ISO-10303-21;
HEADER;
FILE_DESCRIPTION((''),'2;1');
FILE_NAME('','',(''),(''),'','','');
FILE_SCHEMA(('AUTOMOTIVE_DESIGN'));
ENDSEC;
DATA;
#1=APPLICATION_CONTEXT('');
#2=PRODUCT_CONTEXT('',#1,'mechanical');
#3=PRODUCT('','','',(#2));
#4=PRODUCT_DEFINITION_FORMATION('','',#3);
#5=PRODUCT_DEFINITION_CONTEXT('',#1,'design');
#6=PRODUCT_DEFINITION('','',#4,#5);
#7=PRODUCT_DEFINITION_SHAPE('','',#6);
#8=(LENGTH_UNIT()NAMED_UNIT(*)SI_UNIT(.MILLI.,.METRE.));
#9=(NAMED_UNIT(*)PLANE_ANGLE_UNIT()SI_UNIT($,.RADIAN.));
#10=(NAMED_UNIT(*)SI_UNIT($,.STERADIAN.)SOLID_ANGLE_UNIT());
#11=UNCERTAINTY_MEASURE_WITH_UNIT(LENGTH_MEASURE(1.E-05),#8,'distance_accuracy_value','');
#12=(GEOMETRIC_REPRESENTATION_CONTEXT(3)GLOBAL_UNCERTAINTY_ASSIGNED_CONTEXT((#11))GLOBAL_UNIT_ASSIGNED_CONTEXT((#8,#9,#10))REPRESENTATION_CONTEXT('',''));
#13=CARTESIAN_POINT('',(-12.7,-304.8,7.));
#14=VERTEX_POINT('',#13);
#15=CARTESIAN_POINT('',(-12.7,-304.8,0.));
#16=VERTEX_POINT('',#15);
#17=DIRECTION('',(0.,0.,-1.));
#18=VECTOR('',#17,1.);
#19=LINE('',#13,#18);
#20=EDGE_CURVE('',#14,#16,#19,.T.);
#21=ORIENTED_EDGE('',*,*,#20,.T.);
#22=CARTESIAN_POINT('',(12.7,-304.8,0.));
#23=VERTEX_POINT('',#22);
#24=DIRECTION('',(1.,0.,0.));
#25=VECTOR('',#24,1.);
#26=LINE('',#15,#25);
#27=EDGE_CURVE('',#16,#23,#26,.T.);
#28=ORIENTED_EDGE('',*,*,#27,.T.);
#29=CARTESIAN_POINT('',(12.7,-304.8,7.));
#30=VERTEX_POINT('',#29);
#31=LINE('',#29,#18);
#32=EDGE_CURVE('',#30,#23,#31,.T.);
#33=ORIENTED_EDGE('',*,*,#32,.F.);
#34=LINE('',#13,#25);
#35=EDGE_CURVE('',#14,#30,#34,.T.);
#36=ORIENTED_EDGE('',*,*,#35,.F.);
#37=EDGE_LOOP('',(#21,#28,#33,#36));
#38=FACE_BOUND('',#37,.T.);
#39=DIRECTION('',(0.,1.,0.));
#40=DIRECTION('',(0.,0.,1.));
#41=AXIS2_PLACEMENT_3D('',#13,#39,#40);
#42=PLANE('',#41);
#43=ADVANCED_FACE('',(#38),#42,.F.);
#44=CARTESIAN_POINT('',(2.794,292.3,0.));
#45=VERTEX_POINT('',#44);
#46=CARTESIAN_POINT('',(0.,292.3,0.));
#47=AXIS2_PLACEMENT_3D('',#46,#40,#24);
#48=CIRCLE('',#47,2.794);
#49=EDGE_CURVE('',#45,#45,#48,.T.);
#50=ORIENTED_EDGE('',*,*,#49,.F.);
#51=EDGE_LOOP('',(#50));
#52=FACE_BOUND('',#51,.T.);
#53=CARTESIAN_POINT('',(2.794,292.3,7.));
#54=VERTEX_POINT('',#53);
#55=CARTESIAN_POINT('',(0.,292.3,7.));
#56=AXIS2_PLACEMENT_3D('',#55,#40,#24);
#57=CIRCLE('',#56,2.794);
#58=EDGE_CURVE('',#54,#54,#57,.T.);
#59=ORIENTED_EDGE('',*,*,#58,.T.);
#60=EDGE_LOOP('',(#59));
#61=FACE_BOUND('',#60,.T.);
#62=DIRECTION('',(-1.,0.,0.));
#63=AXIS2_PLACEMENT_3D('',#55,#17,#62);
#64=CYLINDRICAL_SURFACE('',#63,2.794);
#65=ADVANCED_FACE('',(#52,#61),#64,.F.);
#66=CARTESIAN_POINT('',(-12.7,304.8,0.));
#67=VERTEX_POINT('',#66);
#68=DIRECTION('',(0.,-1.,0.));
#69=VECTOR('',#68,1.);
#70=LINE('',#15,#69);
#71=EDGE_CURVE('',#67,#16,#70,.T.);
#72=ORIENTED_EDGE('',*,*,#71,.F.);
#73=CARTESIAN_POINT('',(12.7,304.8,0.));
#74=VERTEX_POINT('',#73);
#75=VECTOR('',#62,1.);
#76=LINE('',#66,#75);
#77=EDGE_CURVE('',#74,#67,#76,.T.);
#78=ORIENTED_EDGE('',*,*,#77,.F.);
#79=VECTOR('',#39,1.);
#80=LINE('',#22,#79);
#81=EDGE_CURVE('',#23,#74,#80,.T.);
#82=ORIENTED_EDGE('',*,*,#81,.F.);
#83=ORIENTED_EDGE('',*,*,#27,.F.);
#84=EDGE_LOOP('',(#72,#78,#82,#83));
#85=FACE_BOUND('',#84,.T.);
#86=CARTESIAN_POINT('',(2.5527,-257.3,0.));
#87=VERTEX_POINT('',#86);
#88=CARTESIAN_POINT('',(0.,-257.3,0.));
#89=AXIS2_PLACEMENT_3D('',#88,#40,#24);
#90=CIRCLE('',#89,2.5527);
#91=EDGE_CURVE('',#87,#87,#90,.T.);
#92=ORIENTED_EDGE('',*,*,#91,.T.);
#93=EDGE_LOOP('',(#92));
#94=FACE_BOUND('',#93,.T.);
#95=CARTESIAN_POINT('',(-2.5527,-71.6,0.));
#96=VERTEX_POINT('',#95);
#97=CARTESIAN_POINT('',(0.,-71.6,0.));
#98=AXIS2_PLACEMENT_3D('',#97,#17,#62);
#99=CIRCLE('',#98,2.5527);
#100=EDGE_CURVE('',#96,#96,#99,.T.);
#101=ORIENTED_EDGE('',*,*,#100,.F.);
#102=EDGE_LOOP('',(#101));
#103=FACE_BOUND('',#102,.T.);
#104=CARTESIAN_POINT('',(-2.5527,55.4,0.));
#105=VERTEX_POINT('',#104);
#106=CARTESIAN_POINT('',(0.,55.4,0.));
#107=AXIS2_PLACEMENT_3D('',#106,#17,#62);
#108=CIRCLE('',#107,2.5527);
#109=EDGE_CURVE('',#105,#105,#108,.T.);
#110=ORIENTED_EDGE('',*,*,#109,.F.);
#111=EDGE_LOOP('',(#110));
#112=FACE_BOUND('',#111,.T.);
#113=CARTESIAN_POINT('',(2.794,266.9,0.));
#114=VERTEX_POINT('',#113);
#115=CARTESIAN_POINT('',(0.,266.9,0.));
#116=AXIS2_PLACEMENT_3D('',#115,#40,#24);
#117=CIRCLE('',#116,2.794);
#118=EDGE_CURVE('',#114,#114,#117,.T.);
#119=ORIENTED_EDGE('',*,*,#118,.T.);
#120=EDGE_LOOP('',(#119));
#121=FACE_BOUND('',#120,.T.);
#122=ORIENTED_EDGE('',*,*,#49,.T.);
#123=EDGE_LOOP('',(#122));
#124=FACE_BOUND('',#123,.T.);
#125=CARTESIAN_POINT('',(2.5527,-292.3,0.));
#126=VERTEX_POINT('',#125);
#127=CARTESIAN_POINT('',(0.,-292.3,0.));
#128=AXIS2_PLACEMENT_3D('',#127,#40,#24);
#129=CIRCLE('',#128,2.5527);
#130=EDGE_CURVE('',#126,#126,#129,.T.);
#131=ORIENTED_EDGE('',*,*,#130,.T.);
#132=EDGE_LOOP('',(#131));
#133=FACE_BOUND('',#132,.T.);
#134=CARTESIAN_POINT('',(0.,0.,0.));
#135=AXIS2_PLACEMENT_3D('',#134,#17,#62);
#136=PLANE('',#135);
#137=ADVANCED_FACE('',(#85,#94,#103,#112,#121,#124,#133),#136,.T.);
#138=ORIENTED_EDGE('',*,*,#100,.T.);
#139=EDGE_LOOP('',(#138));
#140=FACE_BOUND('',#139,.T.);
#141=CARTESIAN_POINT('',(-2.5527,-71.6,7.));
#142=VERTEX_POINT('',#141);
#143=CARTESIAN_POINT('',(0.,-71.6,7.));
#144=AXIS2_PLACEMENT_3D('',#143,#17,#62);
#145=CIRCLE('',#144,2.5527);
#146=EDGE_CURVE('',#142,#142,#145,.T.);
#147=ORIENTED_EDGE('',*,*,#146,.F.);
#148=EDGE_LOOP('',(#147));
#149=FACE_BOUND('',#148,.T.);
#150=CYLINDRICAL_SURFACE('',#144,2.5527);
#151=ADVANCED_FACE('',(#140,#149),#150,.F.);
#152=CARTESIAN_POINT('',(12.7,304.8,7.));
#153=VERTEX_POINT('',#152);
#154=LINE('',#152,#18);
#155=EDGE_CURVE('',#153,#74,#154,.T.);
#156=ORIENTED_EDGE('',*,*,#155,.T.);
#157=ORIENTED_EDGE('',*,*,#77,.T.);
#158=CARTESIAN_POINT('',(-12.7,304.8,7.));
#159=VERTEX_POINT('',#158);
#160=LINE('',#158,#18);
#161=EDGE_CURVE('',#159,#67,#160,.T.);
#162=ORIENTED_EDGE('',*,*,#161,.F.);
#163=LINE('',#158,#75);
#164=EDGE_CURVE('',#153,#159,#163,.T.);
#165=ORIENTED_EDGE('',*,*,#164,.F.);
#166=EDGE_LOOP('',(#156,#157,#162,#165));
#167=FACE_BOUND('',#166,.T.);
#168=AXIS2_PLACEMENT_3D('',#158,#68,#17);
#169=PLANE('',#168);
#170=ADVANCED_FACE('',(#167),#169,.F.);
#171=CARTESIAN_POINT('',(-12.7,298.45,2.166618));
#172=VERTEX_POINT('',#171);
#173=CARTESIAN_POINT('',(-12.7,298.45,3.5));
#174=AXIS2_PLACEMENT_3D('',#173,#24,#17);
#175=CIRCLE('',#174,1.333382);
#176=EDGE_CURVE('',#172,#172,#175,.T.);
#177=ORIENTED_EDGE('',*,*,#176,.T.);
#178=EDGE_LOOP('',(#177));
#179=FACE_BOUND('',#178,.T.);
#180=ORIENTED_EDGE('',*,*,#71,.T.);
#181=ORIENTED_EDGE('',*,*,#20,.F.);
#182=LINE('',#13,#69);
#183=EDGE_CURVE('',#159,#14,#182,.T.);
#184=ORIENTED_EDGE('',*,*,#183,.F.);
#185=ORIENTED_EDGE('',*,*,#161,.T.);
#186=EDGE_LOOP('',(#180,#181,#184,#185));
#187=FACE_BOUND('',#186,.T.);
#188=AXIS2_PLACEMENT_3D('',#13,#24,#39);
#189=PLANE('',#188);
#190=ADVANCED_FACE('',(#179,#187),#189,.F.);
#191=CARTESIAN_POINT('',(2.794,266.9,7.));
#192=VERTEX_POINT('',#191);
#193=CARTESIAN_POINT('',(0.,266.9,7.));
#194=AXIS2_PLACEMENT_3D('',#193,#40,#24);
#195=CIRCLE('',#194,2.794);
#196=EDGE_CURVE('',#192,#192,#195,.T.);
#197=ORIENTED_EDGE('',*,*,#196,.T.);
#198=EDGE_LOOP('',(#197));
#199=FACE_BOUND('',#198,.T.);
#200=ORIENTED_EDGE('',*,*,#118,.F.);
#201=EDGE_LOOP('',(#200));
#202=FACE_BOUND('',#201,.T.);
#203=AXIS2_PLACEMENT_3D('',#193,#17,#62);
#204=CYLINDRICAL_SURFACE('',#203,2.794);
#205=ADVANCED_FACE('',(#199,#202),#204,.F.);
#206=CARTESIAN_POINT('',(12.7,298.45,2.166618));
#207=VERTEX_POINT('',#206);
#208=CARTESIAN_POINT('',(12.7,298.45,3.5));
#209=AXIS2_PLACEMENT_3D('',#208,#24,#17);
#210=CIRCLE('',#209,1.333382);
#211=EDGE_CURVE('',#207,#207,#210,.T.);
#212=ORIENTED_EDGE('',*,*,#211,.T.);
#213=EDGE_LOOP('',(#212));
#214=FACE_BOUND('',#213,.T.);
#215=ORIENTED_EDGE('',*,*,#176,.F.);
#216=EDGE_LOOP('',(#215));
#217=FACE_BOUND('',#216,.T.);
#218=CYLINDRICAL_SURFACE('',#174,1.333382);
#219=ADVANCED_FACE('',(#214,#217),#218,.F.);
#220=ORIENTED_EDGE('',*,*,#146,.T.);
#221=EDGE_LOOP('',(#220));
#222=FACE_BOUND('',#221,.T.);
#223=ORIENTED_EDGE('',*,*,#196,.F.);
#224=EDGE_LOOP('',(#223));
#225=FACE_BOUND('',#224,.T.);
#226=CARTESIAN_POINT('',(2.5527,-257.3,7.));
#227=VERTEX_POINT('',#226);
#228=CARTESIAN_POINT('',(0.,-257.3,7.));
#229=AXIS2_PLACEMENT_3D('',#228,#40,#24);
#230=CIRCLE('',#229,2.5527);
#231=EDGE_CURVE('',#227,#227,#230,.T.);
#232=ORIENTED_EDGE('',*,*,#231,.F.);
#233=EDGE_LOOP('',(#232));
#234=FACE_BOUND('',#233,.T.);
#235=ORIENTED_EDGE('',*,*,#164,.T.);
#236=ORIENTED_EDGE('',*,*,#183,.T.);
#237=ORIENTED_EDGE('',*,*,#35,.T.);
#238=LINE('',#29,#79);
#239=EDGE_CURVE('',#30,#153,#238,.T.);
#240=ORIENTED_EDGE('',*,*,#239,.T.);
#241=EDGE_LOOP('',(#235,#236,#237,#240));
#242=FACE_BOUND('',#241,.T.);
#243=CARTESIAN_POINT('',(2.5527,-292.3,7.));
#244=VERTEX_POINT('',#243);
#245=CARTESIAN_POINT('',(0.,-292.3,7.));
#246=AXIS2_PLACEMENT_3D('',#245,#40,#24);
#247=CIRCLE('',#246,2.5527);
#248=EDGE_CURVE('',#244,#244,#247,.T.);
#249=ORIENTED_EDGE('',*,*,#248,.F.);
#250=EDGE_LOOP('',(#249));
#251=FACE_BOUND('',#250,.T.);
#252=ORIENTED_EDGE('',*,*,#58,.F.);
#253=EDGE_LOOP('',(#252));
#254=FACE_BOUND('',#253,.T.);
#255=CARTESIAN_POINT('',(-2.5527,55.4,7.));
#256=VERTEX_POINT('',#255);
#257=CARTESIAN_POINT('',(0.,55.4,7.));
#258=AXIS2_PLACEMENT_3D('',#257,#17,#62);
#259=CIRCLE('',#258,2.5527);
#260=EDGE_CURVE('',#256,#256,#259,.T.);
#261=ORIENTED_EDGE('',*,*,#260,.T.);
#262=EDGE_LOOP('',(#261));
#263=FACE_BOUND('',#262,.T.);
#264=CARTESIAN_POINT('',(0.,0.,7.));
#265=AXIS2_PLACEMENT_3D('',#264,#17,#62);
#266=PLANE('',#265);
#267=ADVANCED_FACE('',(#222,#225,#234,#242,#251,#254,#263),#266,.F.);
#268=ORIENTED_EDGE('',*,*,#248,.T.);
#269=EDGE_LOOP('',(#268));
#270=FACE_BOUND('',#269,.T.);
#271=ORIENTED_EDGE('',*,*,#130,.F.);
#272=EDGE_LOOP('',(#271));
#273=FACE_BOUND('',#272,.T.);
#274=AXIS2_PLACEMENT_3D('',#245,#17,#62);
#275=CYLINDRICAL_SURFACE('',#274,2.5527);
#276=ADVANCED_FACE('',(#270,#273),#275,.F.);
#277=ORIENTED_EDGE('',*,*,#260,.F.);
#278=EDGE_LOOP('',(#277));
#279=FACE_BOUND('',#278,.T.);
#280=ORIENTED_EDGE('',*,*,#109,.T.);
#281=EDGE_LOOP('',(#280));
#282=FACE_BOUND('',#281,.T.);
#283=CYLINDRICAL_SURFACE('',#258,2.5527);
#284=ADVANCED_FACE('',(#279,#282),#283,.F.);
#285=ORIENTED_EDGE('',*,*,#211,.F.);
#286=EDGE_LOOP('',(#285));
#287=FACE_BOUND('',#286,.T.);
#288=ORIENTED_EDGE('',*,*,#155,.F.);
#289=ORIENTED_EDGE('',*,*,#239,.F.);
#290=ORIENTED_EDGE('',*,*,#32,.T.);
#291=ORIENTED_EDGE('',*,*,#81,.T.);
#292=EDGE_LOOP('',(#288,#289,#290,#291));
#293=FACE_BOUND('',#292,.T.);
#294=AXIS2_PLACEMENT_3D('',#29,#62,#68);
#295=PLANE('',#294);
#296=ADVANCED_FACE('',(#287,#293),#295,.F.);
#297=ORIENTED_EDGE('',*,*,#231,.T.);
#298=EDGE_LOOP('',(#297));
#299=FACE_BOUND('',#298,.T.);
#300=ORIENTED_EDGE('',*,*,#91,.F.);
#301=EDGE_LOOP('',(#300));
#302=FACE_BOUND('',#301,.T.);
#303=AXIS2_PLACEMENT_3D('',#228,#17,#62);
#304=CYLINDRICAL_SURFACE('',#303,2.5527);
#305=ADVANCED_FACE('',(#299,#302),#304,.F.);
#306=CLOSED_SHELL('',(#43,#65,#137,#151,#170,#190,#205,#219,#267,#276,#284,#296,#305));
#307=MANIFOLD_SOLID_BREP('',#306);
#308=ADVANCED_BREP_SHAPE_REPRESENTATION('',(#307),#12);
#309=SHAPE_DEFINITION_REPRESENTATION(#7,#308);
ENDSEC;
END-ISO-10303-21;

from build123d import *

# Parameters (mm, degrees)
SKETCH1_W           = 25.4
SKETCH1_H           = 609.6
SKETCH1_R           = 2.5527
SKETCH1_R_2         = 2.794
BOSS_EXTRUDE1_DEPTH = 7
SKETCH2_R           = 1.33338173
CUT_EXTRUDE1_DEPTH  = 306.936594738
SKETCH3_R           = 2.5527
CUT_EXTRUDE2_DEPTH  = 306.144768921


with BuildPart() as part:
    # Sketch1 → Boss-Extrude1 (new body)
    with BuildSketch(Plane.XY):
        Rectangle(SKETCH1_W, SKETCH1_H)
        with Locations((0, -257.3)):
            Circle(SKETCH1_R, mode=Mode.SUBTRACT)
        with Locations((0, -292.3)):
            Circle(SKETCH1_R, mode=Mode.SUBTRACT)
        with Locations((0, 292.2999996)):
            Circle(SKETCH1_R_2, mode=Mode.SUBTRACT)
        with Locations((0, 266.8999996)):
            Circle(SKETCH1_R_2, mode=Mode.SUBTRACT)
    extrude(amount=BOSS_EXTRUDE1_DEPTH)

    # Sketch2 → Cut-Extrude1 (cut, through all)
    with BuildSketch(Plane(origin=(12.7, 0, 0), x_dir=(0, 0, -1), z_dir=(1, 0, 0))):
        with Locations((-3.5, 298.45)):
            Circle(SKETCH2_R)
    extrude(amount=-CUT_EXTRUDE1_DEPTH, mode=Mode.SUBTRACT)

    # Sketch3 → Cut-Extrude2 (cut, through all)
    with BuildSketch(Plane(origin=(0, 0, 0), x_dir=(-1, 0, 0), z_dir=(0, 0, -1))):
        with Locations((0, -71.6)):
            Circle(SKETCH3_R)
        with Locations((0, 55.4)):
            Circle(SKETCH3_R)
    extrude(amount=-CUT_EXTRUDE2_DEPTH, mode=Mode.SUBTRACT)


solid = part.part
